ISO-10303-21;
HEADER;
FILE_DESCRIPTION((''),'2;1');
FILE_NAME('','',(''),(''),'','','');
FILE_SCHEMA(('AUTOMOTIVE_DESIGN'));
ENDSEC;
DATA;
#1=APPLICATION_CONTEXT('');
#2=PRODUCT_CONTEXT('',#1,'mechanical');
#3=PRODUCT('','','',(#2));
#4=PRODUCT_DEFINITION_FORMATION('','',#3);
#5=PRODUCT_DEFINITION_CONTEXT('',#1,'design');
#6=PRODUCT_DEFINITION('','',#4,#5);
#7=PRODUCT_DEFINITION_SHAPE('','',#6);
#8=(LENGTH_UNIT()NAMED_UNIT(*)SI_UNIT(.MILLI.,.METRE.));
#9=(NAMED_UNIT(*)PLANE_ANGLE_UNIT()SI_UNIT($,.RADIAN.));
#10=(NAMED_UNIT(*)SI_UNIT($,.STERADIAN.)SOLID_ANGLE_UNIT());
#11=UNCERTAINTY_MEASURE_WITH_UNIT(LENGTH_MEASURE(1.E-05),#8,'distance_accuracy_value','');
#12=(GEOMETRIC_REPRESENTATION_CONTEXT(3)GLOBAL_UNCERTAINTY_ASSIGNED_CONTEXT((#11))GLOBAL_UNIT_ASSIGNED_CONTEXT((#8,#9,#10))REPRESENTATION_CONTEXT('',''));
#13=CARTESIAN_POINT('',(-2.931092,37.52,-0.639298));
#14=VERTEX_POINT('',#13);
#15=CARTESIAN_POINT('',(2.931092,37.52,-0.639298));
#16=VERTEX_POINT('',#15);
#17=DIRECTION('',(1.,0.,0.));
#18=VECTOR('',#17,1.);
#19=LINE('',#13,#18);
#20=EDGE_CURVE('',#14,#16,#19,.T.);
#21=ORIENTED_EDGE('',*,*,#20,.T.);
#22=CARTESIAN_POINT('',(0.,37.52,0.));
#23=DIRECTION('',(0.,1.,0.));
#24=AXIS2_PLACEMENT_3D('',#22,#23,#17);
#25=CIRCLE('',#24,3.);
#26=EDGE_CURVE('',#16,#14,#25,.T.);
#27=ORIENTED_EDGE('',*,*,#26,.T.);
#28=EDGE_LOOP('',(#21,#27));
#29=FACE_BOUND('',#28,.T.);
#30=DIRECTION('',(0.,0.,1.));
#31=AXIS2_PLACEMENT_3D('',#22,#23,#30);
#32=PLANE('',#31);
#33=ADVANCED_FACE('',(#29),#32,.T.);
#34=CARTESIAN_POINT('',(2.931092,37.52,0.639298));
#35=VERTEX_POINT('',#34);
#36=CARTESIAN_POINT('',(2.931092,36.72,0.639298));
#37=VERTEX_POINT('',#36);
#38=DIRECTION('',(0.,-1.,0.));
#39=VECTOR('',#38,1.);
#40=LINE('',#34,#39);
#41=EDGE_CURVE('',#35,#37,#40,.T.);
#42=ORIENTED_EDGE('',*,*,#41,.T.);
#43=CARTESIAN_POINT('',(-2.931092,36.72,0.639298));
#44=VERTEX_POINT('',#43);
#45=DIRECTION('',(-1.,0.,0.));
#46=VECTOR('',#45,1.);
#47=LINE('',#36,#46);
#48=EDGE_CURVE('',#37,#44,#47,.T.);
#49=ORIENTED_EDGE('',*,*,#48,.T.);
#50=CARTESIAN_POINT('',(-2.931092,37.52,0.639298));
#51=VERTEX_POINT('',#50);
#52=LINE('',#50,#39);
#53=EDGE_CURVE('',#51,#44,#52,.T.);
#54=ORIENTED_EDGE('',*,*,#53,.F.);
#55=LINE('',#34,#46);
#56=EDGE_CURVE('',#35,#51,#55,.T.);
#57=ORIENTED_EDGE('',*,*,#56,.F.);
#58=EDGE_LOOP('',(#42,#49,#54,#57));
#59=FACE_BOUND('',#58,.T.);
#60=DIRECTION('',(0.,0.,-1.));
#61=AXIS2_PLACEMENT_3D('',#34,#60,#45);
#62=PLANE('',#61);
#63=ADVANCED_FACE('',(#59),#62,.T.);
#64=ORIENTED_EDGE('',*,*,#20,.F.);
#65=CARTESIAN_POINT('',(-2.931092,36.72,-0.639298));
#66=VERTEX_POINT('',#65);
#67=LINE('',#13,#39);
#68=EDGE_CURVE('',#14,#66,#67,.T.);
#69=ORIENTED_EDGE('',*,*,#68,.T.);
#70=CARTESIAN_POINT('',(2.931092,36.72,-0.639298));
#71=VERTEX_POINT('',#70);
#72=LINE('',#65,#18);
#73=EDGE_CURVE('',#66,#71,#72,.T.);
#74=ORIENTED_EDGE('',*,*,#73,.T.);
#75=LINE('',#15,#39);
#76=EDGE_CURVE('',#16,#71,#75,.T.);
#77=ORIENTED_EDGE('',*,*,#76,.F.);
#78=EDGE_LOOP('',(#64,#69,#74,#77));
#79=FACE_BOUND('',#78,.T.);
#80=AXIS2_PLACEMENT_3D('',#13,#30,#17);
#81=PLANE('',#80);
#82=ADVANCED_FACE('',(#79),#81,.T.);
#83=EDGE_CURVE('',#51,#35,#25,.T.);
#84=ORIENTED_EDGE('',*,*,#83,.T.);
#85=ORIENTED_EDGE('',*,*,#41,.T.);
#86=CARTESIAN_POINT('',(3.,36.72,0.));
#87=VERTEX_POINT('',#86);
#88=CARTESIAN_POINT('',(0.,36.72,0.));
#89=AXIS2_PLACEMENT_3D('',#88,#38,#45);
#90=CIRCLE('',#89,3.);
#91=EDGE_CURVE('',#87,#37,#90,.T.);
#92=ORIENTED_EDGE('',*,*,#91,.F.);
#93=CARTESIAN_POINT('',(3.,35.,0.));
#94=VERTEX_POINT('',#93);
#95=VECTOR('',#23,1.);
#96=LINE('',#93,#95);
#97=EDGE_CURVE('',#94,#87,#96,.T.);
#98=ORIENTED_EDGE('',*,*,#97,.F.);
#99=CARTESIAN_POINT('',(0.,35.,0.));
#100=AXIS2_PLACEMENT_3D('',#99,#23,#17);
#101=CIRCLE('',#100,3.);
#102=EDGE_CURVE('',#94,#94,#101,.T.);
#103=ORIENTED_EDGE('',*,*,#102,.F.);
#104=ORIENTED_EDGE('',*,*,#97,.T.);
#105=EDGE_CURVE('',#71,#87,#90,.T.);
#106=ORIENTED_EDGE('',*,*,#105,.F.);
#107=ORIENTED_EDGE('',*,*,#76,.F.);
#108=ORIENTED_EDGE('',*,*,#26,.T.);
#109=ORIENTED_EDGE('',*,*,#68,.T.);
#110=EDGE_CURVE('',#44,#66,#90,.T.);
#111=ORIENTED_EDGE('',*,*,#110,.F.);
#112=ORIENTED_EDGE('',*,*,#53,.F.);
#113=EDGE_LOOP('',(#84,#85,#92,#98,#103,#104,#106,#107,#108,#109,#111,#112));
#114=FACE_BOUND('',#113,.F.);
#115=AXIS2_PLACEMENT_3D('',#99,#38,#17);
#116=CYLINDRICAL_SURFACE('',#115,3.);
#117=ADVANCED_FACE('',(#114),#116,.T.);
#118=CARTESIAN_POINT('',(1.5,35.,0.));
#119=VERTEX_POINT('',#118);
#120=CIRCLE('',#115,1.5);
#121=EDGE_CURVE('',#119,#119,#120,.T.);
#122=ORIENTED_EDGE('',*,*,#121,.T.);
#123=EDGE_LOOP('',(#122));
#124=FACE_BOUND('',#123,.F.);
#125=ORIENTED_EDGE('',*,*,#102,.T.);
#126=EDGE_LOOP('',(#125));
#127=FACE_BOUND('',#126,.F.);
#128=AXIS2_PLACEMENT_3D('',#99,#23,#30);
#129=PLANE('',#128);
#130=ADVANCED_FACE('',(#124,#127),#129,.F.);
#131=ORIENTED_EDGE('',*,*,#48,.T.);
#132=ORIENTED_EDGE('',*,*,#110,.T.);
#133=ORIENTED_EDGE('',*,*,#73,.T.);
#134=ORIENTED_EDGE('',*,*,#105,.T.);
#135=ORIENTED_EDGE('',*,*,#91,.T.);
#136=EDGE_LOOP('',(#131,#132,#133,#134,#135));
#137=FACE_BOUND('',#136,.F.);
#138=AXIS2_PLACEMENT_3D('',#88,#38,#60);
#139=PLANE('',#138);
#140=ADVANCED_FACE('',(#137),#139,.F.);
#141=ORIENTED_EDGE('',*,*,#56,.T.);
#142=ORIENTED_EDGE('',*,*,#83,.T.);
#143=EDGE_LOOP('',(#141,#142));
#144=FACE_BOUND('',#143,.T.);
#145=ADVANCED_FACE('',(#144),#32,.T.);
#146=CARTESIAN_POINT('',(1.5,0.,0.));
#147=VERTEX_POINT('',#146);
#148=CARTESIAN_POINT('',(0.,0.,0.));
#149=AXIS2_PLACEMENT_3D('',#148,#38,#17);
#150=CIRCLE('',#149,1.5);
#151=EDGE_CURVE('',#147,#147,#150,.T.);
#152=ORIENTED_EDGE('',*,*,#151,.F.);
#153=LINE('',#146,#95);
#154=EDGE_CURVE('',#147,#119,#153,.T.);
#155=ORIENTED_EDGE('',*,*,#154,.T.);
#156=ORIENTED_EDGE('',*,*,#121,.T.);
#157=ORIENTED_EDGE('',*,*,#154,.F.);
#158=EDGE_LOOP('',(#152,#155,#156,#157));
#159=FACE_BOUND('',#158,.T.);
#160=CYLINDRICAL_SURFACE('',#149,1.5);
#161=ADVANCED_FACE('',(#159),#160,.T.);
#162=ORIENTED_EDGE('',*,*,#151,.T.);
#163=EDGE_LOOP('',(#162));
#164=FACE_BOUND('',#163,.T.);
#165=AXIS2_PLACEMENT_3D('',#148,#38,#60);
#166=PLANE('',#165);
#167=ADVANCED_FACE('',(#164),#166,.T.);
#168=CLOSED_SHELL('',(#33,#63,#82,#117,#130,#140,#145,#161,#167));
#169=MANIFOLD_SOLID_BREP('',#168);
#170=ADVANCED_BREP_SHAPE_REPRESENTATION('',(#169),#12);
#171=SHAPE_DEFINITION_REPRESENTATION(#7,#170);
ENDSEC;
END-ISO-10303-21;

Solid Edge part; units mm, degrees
sketch "Sketch1" plane through (0, 0, 0) normal (0, -1, 0) x (1, 0, 0)
  circle A0 centre (0, 0) radius 1.5
extrude "Protrusion1" add sketch "Sketch1" against normal blind 35
sketch "Sketch2" plane through (0, 35, 0) normal (0, 1, 0) x (1, 0, 0)
  circle A0 centre (0, 0) radius 3
extrude "ExtrudedProtrusion_2" add sketch "Sketch2" along normal blind 2.52
sketch "Sketch3" plane through (0, 37.52, 0) normal (0, 1, 0) x (-1, 0, 0)
  line L0 (-2.9311, 0.6393) -> (2.9311, 0.6393)
  arc A0 (2.9311, 0.6393) -> (2.9311, -0.6393) centre (0, 0) cw
  line L1 (2.9311, -0.6393) -> (-2.9311, -0.6393)
  arc A1 (-2.9311, -0.6393) -> (-2.9311, 0.6393) centre (0, 0) cw
extrude "ExtrudedCutout_1" cut sketch "Sketch3" against normal blind 0.8
cosmetic_thread "Thread1" size "M3"
properties material "Nylon, general purpose"
